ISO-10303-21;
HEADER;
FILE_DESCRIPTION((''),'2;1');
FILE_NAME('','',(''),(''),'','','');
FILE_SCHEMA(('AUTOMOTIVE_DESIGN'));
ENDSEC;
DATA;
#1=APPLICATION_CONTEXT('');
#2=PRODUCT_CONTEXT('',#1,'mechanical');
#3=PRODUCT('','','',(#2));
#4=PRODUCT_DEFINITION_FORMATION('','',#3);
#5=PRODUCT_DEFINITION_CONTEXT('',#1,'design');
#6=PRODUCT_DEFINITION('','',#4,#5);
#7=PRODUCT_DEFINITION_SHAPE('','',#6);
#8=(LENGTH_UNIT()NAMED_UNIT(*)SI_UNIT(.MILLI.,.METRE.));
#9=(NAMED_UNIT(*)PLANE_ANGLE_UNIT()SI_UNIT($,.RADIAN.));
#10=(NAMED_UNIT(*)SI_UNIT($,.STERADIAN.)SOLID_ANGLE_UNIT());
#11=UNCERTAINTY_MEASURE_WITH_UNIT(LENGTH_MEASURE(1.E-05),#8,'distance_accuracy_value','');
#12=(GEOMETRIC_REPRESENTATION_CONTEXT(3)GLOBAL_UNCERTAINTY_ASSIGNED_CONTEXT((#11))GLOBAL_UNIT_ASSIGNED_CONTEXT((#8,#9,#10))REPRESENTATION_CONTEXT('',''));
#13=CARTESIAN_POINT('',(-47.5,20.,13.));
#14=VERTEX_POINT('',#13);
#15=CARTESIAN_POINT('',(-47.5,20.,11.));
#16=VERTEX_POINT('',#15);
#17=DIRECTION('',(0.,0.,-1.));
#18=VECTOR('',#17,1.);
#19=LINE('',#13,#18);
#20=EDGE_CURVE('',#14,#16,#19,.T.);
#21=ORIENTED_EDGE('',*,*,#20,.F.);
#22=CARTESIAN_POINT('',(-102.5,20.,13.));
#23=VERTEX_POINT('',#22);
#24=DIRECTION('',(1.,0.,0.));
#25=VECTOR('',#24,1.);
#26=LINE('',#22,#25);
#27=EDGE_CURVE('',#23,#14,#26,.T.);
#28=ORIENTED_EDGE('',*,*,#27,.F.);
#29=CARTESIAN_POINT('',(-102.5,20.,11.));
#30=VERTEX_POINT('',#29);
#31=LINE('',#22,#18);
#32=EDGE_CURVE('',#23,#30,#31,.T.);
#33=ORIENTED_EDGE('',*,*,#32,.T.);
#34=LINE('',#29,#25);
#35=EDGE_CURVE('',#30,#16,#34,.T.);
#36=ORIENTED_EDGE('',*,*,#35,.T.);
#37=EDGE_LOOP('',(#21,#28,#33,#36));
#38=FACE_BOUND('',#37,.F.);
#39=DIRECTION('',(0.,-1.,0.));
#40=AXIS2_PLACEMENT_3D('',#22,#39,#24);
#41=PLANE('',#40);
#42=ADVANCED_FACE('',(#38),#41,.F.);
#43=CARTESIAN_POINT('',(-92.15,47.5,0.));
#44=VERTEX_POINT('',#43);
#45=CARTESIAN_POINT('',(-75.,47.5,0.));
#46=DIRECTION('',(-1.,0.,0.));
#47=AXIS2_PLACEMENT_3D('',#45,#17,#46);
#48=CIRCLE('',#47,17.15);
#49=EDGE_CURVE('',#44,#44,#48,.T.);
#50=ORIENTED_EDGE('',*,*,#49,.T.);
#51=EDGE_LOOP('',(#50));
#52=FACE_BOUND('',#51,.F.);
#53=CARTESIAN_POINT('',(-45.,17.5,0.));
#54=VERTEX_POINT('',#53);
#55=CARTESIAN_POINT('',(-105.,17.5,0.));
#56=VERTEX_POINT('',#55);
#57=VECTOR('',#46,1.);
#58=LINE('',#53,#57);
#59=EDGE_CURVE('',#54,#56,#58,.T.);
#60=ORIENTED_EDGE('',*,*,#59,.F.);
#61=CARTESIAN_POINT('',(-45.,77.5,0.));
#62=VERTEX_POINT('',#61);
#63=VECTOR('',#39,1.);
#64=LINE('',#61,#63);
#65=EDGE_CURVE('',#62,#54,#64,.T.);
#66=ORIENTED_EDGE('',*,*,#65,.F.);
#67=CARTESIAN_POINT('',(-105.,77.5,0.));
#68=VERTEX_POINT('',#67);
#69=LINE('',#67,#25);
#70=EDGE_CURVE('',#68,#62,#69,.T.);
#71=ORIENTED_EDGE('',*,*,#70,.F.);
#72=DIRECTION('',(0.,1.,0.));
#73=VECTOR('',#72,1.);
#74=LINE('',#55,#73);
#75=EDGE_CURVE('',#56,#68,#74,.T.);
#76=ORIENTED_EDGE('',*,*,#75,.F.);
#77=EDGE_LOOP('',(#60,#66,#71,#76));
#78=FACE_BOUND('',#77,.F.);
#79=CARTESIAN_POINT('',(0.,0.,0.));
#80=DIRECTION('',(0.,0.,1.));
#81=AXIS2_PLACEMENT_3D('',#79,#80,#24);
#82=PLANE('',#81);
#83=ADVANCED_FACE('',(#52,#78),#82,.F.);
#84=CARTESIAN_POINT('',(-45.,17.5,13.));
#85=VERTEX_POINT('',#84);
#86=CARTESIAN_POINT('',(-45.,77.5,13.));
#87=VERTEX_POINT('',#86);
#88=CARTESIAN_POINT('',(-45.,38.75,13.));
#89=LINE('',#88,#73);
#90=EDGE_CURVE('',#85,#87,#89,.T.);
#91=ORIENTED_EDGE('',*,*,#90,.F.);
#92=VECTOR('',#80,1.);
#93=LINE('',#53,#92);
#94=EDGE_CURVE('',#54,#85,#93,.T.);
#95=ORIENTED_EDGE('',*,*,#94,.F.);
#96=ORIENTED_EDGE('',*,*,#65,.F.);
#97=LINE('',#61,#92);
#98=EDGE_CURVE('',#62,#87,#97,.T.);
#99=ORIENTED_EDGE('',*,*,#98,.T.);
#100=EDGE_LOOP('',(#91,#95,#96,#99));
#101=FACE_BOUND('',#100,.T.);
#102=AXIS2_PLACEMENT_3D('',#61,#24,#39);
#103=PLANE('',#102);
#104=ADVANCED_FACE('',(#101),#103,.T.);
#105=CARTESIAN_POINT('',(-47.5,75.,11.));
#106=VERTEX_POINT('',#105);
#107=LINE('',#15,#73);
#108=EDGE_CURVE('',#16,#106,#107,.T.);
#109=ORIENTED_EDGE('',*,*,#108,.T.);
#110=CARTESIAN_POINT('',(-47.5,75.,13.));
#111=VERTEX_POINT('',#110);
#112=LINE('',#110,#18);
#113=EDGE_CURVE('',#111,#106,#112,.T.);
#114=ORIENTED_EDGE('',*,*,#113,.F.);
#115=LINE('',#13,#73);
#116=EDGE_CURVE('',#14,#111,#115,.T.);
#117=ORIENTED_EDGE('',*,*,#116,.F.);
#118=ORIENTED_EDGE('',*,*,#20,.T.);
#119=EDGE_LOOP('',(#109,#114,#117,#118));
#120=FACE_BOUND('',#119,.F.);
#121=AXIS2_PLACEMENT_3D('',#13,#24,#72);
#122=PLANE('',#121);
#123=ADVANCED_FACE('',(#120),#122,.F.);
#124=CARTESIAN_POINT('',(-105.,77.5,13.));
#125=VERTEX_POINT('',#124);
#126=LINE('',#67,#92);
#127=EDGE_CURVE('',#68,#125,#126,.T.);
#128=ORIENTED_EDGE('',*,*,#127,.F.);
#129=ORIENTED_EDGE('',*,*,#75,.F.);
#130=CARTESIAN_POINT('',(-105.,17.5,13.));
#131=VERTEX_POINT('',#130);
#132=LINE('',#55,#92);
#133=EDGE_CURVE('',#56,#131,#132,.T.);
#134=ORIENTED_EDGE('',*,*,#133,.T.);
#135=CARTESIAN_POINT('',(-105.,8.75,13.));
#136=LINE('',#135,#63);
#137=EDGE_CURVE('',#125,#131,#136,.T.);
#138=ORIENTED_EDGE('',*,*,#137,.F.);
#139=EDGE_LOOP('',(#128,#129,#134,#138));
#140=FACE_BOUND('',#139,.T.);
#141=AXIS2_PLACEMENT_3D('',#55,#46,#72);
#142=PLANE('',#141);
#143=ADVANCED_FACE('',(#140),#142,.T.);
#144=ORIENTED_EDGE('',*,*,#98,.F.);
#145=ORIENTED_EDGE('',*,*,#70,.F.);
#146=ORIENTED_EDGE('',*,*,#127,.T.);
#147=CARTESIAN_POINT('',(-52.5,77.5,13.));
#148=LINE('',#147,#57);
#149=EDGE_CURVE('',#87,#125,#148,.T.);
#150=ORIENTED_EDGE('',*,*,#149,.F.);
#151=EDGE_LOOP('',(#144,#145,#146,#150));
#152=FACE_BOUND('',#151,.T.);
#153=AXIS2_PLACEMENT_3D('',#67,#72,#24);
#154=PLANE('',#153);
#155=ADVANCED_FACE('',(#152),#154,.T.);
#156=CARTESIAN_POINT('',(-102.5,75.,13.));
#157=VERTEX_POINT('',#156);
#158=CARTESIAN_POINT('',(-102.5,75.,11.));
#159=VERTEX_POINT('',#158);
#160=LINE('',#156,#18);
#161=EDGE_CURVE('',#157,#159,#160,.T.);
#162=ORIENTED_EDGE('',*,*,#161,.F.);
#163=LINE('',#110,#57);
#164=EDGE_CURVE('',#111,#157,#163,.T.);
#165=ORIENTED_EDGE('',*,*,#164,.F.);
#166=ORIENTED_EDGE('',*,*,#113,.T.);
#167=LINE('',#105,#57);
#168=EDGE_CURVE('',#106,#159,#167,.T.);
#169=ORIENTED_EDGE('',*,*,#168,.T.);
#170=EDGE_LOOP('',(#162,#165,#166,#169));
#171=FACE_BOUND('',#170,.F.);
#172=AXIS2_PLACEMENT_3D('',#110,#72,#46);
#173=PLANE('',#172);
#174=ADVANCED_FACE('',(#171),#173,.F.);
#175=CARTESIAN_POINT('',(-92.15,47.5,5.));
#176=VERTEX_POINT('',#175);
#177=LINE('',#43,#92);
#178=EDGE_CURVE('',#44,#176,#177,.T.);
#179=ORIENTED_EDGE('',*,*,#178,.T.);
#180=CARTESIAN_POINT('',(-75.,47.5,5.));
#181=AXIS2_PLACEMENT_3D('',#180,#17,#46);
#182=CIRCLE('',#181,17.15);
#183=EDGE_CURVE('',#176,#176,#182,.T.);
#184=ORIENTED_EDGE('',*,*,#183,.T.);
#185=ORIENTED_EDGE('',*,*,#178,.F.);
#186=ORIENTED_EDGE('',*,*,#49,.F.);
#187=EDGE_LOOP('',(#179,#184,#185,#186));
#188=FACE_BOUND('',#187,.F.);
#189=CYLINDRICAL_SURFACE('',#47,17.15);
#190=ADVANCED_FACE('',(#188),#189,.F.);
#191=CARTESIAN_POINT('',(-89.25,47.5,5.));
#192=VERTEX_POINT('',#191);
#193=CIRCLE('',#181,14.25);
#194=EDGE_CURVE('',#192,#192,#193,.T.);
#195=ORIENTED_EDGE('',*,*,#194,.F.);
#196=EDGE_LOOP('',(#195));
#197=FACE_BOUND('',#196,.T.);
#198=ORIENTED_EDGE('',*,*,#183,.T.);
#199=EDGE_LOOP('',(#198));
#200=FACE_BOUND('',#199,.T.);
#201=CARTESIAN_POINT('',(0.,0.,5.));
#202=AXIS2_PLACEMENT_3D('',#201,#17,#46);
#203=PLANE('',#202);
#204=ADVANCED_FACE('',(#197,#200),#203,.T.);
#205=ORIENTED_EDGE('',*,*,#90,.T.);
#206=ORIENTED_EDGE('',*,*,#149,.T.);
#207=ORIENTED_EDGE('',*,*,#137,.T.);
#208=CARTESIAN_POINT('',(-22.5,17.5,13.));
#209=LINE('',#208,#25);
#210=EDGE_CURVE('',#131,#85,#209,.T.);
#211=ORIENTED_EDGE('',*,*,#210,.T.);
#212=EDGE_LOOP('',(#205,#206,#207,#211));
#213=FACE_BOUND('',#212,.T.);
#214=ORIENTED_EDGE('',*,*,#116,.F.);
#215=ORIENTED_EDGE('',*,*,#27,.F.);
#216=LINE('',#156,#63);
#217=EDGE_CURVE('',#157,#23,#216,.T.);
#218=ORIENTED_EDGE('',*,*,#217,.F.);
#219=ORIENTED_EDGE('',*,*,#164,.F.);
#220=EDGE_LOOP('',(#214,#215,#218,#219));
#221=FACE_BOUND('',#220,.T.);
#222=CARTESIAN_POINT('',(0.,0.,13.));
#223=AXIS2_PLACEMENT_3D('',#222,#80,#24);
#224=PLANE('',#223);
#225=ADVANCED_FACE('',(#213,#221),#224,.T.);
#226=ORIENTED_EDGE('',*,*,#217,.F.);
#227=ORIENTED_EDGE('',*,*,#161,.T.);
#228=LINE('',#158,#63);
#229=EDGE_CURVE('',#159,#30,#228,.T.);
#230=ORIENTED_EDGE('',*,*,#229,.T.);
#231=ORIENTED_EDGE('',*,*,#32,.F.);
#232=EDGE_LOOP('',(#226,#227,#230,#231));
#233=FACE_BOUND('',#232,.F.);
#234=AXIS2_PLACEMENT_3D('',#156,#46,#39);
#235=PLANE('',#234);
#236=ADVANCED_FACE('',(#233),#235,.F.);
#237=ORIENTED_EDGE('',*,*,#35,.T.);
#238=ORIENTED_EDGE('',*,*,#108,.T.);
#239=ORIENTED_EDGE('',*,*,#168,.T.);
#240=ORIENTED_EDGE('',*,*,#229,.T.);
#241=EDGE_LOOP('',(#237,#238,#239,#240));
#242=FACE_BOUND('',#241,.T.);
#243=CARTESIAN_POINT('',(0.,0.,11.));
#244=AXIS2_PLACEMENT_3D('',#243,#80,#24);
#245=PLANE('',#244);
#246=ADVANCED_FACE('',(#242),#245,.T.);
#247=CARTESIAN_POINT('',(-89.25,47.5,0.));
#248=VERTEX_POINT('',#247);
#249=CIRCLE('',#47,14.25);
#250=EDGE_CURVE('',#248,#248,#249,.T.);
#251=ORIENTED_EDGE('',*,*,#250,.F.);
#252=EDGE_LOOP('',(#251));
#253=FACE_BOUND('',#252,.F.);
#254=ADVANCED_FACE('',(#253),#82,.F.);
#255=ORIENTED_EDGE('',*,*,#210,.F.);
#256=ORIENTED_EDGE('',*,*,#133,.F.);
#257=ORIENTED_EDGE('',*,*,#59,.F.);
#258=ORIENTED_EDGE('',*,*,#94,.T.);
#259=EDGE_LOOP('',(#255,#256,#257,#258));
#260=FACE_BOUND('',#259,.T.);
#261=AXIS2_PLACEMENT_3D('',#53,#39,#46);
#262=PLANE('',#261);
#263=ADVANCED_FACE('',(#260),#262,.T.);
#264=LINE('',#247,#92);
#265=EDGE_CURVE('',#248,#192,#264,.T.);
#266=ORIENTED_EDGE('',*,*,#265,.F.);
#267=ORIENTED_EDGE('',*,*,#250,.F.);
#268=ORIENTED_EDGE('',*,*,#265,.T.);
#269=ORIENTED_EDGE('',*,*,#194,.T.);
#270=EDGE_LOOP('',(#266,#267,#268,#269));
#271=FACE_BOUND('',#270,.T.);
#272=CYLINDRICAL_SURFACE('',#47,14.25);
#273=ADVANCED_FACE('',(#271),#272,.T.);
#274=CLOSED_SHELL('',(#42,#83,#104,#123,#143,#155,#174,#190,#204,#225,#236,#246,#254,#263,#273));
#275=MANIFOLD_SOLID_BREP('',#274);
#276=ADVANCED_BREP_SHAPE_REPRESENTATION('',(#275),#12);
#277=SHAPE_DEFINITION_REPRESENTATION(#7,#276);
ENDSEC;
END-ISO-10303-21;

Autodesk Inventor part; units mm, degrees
ref_plane "YZ Plane" through (0, 0, 0) normal (1, 0, 0) x (0, 1, 0)
ref_plane "XZ Plane" through (0, 0, 0) normal (0, 1, 0) x (-1, 0, 0)
ref_plane "XY Plane" through (0, 0, 0) normal (0, 0, 1) x (1, 0, 0)
sketch "Sketch1" plane through (0, 0, 0) normal (0, 0, 1) x (1, 0, 0)
  line L0 (0, 0) -> (-150, 0)
  line L1 (-150, 0) -> (-150, 95)
  line L2 (-150, 95) -> (0, 95)
  line L3 (0, 95) -> (0, 0)
  dimension "d0" = 150
  dimension "d1" = 95
extrude "Extrusion1" add sketch "Sketch1" along normal blind 15
sketch "Sketch2" plane through (0, 0, 15) normal (0, 0, 1) x (1, 0, 0)
  line L0 (-32.5, 5) -> (-117.5, 5)
  line L1 (-117.5, 5) -> (-117.5, 90)
  line L2 (-117.5, 90) -> (-32.5, 90)
  line L3 (-32.5, 90) -> (-32.5, 5)
  point P0 (0, 0)
  dimension "d4" = 85
  dimension "d5" = 85
extrude "Extrusion2" cut sketch "Sketch2" against normal blind 2
sketch "Sketch3" plane through (0, 0, 13) normal (0, 0, 1) x (1, 0, 0)
  line L0 (-47.5, 75) -> (-102.5, 75)
  line L1 (-102.5, 75) -> (-102.5, 20)
  line L2 (-102.5, 20) -> (-47.5, 20)
  line L3 (-47.5, 20) -> (-47.5, 75)
  point P0 (0, 0)
  point P1 (-47.5, 47.5)
  dimension "d10" = 55
  dimension "d11" = 55
extrude "Extrusion3" cut sketch "Sketch3" against normal blind 2
sketch "Sketch4" plane through (0, 0, 0) normal (0, 0, -1) x (-1, 0, 0)
  circle A0 centre (75, 47.5) radius 14.25
  circle A1 centre (75, 47.5) radius 17.15
  line L0 (2.5, 2.5) -> (7.5, 2.5)
  line L1 (7.5, 2.5) -> (7.5, 7.5)
  line L2 (7.5, 7.5) -> (2.5, 7.5)
  line L3 (2.5, 7.5) -> (2.5, 2.5)
  line L4 (147.5, 2.5) -> (142.5, 2.5)
  line L5 (142.5, 2.5) -> (142.5, 7.5)
  line L6 (142.5, 7.5) -> (147.5, 7.5)
  line L7 (147.5, 7.5) -> (147.5, 2.5)
  line L8 (2.5, 92.5) -> (7.5, 92.5)
  line L9 (7.5, 92.5) -> (7.5, 87.5)
  line L10 (7.5, 87.5) -> (2.5, 87.5)
  line L11 (2.5, 87.5) -> (2.5, 92.5)
  line L12 (147.5, 92.5) -> (142.5, 92.5)
  line L13 (142.5, 92.5) -> (142.5, 87.5)
  line L14 (142.5, 87.5) -> (147.5, 87.5)
  line L15 (147.5, 87.5) -> (147.5, 92.5)
  point P0 (0, 0)
  dimension "d14" = 28.5
  dimension "d15" = 34.3
  dimension "d16" = 5
  dimension "d17" = 5
  dimension "d18" = 5
  dimension "d19" = 5
  dimension "d20" = 5
  dimension "d21" = 5
  dimension "d22" = 5
  dimension "d23" = 5
extrude "Extrusion4" cut sketch "Sketch4" against normal blind 5
sketch "Sketch5" plane through (0, 0, 0) normal (0, 0, -1) x (-1, 0, 0)
  line L0 (105, 77.5) -> (45, 77.5)
  line L1 (45, 77.5) -> (45, 17.5)
  line L2 (45, 17.5) -> (105, 17.5)
  line L3 (105, 17.5) -> (105, 77.5)
  line L4 (150, 0) -> (0, 0) projected
  line L5 (150, 95) -> (150, 0) projected
  line L6 (0, 0) -> (150, 0)
  line L7 (150, 0) -> (150, 95)
  line L8 (150, 95) -> (0, 95)
  line L9 (0, 95) -> (0, 0)
  dimension "d28" = 60
  dimension "d29" = 60
  dimension "d30" = 150
  dimension "d31" = 95
extrude "Extrusion5" cut sketch "Sketch5" against normal blind 15
properties part number "Shoulder_Both_Marker_V1"
